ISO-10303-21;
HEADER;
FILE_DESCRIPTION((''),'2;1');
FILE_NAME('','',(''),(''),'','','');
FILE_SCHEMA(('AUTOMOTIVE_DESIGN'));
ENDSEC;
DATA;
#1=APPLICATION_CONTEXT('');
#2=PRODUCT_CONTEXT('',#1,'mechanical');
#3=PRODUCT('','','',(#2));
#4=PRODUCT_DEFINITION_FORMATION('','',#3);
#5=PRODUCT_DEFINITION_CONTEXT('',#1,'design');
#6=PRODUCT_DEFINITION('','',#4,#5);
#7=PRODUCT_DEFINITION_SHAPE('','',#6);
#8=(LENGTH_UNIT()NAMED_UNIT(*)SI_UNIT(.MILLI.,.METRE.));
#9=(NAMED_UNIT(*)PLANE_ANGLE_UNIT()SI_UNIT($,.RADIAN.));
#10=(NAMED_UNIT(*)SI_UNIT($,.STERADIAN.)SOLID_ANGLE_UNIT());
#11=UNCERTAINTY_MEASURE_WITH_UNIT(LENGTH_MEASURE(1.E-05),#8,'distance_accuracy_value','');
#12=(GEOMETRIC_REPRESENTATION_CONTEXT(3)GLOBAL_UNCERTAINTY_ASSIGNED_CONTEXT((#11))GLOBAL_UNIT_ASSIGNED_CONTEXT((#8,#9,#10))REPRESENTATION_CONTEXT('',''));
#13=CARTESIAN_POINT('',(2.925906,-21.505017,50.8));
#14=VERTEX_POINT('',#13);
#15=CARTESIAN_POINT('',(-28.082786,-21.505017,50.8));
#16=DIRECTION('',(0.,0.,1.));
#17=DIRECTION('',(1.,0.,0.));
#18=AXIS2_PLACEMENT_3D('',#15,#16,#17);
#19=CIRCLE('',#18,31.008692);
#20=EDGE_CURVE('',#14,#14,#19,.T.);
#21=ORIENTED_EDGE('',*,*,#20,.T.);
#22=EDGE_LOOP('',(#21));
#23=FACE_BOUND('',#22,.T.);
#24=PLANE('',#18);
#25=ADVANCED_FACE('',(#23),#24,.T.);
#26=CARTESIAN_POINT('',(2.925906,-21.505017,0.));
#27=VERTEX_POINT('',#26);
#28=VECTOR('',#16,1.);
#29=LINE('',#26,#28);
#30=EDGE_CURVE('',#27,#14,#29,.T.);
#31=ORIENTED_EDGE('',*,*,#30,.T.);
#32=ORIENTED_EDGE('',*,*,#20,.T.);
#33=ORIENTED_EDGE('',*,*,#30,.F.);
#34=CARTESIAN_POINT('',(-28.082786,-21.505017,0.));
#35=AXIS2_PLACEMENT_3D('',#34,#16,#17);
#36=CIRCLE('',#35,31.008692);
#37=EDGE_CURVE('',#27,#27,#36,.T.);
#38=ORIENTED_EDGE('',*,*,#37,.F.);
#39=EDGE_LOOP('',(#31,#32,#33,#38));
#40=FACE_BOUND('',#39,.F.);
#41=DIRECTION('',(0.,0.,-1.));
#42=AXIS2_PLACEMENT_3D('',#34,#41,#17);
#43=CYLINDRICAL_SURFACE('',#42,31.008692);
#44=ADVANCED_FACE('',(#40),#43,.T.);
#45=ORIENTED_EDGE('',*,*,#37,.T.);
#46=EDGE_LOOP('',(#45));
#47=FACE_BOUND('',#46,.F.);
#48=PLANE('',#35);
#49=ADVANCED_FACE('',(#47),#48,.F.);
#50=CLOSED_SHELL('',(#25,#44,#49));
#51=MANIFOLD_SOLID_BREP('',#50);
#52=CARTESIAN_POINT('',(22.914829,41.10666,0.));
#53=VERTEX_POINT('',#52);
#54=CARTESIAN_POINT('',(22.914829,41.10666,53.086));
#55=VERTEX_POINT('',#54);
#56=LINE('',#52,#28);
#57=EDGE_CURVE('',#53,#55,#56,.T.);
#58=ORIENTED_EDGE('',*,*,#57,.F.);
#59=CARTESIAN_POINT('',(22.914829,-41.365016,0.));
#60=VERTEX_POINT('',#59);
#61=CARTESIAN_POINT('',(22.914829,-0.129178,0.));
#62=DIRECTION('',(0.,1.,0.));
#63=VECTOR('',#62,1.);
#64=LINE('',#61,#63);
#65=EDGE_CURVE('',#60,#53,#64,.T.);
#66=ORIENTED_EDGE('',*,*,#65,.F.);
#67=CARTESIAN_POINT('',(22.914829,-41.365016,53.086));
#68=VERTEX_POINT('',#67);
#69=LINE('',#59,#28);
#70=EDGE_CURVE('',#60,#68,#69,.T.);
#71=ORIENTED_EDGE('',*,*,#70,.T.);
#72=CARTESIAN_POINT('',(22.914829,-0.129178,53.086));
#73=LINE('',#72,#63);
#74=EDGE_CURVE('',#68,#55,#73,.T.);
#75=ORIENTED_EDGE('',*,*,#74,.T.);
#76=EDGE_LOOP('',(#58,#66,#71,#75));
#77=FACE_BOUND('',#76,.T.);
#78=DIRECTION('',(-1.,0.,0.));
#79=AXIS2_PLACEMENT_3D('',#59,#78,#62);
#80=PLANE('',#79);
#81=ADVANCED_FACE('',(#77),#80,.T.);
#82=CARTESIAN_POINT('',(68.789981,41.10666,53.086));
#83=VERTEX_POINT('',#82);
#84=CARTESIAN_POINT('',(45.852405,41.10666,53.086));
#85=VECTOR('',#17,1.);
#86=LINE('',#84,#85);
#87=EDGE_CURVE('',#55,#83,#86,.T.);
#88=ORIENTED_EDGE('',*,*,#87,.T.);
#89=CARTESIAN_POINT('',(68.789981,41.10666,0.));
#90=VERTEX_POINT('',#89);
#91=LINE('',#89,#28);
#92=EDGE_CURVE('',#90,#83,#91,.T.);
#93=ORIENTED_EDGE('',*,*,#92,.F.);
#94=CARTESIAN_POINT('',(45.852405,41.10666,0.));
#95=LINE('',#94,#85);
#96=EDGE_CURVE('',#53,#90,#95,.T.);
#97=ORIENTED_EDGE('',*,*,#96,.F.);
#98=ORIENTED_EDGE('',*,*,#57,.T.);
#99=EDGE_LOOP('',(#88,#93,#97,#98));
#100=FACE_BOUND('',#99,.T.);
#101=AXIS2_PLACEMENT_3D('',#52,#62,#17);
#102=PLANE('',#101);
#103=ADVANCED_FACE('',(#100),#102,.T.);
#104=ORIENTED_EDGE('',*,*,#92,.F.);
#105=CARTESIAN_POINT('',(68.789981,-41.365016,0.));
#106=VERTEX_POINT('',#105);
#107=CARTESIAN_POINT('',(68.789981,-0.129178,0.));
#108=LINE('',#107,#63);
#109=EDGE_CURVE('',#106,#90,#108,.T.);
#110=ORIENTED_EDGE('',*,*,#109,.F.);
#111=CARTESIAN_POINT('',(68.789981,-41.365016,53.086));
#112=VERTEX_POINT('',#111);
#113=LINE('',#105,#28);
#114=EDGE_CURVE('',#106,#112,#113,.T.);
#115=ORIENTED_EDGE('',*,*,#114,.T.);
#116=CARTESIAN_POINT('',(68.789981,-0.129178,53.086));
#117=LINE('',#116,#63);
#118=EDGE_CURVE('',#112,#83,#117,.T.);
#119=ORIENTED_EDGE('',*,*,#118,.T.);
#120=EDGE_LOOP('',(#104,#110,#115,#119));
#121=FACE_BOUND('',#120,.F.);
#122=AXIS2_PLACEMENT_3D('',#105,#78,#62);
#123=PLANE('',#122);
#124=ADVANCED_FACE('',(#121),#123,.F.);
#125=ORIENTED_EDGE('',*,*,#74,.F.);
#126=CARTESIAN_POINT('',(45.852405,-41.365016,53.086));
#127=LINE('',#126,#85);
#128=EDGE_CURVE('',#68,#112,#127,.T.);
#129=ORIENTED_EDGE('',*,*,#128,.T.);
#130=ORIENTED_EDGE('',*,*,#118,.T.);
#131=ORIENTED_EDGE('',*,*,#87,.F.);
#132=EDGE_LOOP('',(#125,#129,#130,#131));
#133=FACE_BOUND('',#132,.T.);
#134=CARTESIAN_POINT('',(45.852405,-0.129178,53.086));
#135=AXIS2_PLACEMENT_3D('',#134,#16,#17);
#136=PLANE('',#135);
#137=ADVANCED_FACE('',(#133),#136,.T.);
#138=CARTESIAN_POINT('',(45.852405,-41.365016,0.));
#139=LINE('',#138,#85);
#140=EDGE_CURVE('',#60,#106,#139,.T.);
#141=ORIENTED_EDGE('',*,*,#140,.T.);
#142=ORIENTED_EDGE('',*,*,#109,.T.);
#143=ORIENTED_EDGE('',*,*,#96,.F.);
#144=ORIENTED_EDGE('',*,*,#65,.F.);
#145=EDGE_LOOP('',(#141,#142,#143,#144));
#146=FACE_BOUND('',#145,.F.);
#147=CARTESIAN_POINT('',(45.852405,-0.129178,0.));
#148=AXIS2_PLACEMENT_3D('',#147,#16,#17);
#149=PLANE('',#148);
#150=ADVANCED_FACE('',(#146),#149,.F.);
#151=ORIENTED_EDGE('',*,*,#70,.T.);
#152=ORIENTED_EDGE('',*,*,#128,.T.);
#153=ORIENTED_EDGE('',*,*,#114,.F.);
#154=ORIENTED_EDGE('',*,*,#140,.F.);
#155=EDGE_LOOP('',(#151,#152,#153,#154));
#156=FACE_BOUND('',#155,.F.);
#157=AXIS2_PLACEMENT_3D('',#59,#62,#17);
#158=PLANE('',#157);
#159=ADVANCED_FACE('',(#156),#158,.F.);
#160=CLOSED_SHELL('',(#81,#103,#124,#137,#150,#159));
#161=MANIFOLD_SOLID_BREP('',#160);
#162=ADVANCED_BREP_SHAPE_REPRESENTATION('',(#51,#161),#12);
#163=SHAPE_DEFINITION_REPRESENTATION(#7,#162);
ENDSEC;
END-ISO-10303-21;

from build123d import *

# Parameters (mm, degrees)
F0_R     = 31.008692
F1_DEPTH = 50.8
F2_W     = 45.875152
F2_H     = 82.471676
F3_DEPTH = 53.086


with BuildPart() as f1:
    # F0 (on Top) → F1 (new body)
    with BuildSketch(Plane.XY):
        with Locations((-28.082786, -21.505017)):
            Circle(F0_R)
    extrude(amount=F1_DEPTH)


with BuildPart() as f3:
    # F2 (on Top) → F3 (new body)
    with BuildSketch(Plane.XY):
        with Locations((45.852405, -0.129178)):
            Rectangle(F2_W, F2_H)
    extrude(amount=F3_DEPTH)


solid = Compound([f1.part, f3.part])
